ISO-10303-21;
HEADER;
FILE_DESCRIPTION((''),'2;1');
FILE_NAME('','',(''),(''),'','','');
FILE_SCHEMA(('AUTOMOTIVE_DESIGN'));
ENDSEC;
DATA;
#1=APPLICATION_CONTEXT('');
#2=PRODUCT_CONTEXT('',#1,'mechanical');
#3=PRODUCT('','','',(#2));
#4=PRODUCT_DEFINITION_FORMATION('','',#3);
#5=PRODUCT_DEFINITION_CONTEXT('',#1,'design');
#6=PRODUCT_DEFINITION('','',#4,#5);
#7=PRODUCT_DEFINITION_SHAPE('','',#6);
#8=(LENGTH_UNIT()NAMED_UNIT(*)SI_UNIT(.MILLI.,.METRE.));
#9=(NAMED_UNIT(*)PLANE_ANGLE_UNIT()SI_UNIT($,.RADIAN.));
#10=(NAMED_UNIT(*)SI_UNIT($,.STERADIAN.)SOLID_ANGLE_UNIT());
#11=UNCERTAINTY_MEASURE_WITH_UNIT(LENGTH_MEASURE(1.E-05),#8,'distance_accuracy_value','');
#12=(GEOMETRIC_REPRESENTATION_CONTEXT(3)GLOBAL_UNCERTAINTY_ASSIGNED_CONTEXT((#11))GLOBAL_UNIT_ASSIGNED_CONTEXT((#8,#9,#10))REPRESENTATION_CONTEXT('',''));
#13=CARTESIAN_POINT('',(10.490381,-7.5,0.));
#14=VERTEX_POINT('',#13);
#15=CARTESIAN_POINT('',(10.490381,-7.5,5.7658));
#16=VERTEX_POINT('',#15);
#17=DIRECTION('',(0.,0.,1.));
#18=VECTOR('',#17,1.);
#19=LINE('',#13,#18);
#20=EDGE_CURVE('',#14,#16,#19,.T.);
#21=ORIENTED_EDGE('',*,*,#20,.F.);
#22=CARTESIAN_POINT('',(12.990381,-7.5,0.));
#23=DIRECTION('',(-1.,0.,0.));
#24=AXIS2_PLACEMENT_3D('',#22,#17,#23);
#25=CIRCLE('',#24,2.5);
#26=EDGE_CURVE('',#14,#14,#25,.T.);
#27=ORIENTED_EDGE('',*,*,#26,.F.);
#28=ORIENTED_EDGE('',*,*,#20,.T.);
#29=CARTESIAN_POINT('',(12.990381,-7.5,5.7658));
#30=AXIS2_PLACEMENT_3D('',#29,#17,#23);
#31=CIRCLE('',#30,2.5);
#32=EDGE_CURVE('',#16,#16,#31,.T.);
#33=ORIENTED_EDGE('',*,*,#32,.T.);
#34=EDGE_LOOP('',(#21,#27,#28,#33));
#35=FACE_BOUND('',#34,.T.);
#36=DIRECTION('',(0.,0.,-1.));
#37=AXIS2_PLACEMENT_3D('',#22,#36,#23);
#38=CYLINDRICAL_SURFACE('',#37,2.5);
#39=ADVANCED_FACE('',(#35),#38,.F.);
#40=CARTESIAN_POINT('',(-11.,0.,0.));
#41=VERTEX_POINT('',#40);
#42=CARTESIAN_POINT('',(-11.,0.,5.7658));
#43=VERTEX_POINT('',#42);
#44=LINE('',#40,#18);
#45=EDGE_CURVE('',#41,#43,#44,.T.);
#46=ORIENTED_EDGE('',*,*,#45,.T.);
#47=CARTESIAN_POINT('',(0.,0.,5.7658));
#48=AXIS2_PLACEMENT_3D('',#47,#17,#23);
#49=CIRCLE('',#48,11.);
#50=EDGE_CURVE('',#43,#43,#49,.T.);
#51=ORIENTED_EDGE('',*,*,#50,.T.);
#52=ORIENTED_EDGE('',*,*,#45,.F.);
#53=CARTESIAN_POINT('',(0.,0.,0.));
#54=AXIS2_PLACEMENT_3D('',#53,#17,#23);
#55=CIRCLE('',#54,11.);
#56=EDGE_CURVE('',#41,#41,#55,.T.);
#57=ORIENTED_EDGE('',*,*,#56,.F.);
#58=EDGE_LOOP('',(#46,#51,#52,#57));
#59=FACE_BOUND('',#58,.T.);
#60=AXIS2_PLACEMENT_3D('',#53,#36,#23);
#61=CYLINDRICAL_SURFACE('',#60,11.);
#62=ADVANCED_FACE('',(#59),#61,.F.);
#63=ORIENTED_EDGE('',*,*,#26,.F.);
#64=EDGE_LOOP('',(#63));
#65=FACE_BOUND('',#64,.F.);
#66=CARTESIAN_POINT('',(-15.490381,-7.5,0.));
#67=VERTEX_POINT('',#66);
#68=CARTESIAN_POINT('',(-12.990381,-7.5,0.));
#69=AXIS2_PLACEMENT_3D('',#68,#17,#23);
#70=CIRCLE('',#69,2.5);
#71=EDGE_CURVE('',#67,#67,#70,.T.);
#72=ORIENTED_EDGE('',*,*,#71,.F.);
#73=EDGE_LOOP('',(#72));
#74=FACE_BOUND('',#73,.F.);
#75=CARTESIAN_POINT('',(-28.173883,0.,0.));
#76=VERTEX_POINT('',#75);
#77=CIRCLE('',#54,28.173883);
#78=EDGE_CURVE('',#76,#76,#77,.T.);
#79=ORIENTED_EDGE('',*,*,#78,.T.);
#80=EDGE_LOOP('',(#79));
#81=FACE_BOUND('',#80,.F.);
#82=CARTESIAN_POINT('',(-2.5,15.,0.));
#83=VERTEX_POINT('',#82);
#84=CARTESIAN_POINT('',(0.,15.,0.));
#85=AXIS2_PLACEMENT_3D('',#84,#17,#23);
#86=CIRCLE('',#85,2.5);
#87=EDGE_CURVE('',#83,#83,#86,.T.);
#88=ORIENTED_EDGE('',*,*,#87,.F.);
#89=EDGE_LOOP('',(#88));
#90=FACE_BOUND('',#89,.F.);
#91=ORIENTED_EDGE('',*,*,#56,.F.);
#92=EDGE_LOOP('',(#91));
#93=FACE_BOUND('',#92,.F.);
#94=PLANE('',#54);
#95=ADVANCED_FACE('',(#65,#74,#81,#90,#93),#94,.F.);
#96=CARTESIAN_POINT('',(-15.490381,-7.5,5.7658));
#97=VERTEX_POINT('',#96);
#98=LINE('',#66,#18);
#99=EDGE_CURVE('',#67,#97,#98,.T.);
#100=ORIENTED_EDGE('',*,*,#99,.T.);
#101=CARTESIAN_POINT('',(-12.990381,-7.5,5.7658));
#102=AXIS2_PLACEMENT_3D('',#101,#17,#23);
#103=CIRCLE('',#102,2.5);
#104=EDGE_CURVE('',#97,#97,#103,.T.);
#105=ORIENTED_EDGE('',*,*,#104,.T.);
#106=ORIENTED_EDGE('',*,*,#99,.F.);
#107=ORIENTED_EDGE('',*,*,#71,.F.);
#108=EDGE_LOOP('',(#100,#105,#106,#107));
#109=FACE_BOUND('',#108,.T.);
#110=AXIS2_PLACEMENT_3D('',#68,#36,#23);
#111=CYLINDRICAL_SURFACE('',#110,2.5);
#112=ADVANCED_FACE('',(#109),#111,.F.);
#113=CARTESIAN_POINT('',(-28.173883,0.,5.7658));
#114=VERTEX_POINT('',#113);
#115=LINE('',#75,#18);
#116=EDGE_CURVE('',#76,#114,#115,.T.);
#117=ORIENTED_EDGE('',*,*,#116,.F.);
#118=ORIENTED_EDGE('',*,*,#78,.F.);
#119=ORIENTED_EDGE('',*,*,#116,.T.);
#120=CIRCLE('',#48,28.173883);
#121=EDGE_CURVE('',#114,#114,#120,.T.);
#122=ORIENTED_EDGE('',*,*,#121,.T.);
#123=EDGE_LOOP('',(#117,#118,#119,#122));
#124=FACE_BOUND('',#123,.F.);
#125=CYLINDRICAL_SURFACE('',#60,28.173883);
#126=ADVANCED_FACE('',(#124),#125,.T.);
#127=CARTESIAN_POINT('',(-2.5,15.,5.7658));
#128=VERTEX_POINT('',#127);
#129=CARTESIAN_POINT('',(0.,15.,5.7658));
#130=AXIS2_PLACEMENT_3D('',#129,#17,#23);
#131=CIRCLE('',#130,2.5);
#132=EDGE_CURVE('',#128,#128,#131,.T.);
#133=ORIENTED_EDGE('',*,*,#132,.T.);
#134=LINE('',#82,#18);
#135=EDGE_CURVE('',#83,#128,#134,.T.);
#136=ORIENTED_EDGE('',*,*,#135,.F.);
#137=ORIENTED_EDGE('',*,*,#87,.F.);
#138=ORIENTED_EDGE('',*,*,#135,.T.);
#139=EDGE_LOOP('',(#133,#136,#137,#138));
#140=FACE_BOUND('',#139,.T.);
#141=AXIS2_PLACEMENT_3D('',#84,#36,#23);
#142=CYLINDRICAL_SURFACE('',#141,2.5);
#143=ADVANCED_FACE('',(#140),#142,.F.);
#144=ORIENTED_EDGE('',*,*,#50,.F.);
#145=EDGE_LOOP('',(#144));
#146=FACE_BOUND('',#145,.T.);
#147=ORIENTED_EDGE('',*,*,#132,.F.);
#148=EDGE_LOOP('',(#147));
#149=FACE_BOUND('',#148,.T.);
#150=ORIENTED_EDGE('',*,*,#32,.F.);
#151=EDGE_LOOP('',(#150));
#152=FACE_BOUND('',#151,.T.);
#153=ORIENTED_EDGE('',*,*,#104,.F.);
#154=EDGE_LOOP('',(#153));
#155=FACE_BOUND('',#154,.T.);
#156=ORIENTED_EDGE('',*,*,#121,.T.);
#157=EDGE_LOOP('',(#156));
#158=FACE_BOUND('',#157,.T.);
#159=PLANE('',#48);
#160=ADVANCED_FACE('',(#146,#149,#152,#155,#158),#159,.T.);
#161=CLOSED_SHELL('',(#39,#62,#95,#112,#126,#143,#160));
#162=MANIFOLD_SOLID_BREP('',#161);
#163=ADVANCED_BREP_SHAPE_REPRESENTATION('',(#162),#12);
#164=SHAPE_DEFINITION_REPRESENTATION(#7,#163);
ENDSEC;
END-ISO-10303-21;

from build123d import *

# Parameters (mm, degrees)
SKETCH1_R           = 28.173882667
SKETCH1_R_2         = 2.5
SKETCH1_R_3         = 11
BOSS_EXTRUDE1_DEPTH = 5.7658


with BuildPart() as part:
    # Sketch1 → Boss-Extrude1 (new body)
    with BuildSketch(Plane.XY):
        Circle(SKETCH1_R)
        with Locations((0, 15)):
            Circle(SKETCH1_R_2, mode=Mode.SUBTRACT)
        with Locations((12.990381057, -7.5)):
            Circle(SKETCH1_R_2, mode=Mode.SUBTRACT)
        with Locations((-12.990381057, -7.5)):
            Circle(SKETCH1_R_2, mode=Mode.SUBTRACT)
        Circle(SKETCH1_R_3, mode=Mode.SUBTRACT)
    extrude(amount=BOSS_EXTRUDE1_DEPTH)


solid = part.part
